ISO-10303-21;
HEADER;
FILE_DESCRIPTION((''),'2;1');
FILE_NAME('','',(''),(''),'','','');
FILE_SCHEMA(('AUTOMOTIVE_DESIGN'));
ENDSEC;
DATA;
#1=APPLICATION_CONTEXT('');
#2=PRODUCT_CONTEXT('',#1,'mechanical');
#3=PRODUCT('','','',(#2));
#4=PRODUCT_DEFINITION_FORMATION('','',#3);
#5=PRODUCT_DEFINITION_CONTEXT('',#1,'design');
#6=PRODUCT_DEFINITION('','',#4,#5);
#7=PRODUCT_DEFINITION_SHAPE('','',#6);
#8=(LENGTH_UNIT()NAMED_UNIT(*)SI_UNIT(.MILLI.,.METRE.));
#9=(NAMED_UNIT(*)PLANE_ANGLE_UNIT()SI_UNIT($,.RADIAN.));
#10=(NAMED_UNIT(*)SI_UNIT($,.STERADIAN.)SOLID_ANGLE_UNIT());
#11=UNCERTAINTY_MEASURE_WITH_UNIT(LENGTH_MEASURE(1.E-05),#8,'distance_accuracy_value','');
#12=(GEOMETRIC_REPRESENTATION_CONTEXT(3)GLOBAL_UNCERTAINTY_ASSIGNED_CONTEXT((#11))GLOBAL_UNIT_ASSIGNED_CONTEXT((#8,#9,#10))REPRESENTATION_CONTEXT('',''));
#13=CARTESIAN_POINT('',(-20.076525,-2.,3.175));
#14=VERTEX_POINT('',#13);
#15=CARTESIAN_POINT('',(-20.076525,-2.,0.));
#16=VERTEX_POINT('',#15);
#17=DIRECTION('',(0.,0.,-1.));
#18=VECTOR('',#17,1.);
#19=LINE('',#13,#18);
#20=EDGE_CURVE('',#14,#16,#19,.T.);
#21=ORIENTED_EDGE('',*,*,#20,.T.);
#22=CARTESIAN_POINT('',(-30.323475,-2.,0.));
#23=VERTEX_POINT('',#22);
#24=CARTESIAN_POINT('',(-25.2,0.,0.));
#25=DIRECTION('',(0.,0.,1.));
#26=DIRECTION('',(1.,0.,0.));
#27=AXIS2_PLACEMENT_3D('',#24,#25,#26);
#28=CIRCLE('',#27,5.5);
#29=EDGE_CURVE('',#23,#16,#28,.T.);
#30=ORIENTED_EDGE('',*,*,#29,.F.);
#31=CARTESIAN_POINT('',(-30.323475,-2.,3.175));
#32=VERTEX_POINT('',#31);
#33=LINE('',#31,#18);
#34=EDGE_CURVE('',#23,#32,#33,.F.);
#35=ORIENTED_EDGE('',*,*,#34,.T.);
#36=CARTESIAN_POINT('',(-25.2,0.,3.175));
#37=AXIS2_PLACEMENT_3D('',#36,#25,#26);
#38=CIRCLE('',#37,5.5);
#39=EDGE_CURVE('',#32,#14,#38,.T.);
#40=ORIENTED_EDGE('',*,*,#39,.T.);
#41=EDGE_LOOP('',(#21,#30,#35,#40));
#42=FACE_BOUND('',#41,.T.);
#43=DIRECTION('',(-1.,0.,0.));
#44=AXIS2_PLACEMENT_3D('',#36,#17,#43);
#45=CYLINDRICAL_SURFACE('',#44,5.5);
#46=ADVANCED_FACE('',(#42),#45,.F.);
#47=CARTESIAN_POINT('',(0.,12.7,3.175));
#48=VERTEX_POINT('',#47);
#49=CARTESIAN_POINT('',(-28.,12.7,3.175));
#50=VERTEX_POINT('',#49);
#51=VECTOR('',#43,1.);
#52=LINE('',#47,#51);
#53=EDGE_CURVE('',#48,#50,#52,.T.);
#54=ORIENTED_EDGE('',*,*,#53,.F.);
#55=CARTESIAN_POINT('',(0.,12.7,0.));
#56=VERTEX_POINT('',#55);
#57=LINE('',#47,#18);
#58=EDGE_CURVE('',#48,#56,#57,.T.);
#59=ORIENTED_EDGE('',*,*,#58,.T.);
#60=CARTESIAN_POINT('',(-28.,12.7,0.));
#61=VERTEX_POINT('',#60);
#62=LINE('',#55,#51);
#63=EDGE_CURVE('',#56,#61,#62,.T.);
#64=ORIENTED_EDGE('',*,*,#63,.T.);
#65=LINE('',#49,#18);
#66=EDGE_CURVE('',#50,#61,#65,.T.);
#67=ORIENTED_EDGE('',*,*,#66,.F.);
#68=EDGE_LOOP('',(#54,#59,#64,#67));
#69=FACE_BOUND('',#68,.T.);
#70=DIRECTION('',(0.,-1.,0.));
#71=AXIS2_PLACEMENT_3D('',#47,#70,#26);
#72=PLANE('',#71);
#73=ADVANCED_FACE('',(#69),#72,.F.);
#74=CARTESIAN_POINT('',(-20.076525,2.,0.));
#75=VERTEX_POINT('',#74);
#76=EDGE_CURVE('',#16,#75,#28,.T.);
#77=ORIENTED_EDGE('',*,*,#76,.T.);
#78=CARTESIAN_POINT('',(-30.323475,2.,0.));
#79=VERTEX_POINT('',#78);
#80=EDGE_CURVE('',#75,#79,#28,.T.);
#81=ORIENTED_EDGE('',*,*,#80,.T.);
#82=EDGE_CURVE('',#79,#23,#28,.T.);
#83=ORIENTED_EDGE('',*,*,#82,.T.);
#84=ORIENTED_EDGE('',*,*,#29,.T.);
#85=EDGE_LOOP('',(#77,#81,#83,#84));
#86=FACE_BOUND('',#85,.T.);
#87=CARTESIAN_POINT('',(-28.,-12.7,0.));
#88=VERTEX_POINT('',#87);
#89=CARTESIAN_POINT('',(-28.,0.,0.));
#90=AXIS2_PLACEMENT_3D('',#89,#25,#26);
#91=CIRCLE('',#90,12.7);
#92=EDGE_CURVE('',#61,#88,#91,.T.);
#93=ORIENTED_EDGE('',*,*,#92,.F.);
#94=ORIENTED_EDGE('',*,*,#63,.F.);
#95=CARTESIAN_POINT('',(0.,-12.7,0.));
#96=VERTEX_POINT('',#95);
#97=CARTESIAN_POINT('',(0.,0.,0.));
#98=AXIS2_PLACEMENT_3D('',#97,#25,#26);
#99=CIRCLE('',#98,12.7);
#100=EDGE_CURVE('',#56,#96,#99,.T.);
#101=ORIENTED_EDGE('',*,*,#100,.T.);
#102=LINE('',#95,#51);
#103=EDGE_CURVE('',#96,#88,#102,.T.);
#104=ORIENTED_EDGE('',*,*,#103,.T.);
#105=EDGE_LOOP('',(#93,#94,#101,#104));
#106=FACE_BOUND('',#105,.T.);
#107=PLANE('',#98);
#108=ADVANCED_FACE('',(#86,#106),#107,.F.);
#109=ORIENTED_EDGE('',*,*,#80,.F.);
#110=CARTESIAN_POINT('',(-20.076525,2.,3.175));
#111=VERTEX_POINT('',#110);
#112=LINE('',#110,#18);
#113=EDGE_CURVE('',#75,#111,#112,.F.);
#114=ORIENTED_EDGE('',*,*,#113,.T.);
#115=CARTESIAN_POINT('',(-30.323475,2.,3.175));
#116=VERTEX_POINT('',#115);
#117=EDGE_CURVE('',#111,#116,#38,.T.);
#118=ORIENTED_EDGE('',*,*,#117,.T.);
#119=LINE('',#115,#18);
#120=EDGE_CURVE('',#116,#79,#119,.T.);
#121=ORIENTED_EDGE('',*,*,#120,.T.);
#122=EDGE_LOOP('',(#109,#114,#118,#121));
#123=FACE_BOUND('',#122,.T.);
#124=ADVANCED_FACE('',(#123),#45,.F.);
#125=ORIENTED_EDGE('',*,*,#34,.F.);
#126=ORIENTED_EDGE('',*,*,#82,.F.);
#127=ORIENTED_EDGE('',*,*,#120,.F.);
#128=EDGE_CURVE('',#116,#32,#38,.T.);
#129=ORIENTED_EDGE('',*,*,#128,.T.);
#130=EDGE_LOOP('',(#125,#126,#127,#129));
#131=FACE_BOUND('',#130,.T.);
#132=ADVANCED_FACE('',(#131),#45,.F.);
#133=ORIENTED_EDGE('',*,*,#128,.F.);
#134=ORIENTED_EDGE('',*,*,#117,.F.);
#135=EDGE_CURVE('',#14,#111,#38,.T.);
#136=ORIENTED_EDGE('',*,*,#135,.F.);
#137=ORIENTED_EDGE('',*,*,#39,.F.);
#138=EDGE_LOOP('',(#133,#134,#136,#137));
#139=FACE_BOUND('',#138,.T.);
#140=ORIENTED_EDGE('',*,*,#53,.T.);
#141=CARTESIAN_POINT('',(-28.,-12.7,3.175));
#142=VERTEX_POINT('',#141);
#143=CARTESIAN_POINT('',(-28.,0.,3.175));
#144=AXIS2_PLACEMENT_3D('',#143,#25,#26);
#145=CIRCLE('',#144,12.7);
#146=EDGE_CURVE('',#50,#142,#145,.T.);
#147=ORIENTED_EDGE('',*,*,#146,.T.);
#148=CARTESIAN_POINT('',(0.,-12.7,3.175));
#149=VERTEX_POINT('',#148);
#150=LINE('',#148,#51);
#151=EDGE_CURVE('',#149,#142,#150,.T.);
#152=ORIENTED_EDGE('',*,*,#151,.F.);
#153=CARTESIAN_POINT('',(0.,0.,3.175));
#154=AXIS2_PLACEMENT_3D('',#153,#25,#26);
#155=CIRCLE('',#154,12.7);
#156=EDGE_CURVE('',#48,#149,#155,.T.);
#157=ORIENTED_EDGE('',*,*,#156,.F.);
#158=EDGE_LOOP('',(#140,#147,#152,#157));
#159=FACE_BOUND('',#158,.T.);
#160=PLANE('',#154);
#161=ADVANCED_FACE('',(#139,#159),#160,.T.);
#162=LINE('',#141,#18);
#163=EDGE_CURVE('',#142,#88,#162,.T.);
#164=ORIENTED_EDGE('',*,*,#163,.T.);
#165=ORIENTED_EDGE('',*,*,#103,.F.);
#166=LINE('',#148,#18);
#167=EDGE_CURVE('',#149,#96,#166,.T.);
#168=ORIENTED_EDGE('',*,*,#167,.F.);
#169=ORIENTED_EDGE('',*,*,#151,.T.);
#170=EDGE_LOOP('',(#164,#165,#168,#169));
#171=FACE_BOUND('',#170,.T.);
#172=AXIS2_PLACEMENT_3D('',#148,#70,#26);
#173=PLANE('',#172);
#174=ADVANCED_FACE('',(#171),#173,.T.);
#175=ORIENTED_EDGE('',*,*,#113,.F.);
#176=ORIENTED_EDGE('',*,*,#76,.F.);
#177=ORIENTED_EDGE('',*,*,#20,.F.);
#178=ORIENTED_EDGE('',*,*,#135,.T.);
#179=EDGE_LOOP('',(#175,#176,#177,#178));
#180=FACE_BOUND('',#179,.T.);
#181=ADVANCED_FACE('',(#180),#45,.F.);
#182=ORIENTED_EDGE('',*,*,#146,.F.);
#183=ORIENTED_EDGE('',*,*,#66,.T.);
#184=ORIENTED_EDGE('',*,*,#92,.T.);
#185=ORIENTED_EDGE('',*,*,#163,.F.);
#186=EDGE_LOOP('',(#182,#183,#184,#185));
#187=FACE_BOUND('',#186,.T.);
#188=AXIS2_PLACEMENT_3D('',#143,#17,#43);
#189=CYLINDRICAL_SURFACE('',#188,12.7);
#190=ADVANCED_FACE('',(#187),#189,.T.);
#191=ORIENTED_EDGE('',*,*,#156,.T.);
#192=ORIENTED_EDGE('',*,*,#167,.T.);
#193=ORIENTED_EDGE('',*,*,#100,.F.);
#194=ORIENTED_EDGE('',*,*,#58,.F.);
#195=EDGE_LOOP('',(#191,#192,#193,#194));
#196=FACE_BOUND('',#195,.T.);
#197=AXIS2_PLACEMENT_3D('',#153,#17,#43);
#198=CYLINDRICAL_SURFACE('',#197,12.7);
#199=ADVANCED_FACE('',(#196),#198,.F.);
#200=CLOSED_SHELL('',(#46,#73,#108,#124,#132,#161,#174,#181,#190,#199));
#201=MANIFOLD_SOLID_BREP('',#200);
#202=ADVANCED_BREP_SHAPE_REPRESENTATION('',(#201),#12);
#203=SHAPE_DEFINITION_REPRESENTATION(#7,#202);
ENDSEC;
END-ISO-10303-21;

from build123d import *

# Parameters (mm, degrees)
SKETCH2_R           = 5.5
BOSS_EXTRUDE1_DEPTH = 3.175


with BuildPart() as part:
    # Sketch2 → Boss-Extrude1 (new body)
    with BuildSketch(Plane.XY):
        with BuildLine():
            ThreePointArc((0, -12.7), (-12.7, 0), (0, 12.7))
            Line((0, 12.7), (-28, 12.7))
            ThreePointArc((-28, 12.7), (-40.7, 0), (-28, -12.7))
            Line((-28, -12.7), (0, -12.7))
        make_face()
        with Locations((-25.2, 0)):
            Circle(SKETCH2_R, mode=Mode.SUBTRACT)
    extrude(amount=BOSS_EXTRUDE1_DEPTH)


solid = part.part
